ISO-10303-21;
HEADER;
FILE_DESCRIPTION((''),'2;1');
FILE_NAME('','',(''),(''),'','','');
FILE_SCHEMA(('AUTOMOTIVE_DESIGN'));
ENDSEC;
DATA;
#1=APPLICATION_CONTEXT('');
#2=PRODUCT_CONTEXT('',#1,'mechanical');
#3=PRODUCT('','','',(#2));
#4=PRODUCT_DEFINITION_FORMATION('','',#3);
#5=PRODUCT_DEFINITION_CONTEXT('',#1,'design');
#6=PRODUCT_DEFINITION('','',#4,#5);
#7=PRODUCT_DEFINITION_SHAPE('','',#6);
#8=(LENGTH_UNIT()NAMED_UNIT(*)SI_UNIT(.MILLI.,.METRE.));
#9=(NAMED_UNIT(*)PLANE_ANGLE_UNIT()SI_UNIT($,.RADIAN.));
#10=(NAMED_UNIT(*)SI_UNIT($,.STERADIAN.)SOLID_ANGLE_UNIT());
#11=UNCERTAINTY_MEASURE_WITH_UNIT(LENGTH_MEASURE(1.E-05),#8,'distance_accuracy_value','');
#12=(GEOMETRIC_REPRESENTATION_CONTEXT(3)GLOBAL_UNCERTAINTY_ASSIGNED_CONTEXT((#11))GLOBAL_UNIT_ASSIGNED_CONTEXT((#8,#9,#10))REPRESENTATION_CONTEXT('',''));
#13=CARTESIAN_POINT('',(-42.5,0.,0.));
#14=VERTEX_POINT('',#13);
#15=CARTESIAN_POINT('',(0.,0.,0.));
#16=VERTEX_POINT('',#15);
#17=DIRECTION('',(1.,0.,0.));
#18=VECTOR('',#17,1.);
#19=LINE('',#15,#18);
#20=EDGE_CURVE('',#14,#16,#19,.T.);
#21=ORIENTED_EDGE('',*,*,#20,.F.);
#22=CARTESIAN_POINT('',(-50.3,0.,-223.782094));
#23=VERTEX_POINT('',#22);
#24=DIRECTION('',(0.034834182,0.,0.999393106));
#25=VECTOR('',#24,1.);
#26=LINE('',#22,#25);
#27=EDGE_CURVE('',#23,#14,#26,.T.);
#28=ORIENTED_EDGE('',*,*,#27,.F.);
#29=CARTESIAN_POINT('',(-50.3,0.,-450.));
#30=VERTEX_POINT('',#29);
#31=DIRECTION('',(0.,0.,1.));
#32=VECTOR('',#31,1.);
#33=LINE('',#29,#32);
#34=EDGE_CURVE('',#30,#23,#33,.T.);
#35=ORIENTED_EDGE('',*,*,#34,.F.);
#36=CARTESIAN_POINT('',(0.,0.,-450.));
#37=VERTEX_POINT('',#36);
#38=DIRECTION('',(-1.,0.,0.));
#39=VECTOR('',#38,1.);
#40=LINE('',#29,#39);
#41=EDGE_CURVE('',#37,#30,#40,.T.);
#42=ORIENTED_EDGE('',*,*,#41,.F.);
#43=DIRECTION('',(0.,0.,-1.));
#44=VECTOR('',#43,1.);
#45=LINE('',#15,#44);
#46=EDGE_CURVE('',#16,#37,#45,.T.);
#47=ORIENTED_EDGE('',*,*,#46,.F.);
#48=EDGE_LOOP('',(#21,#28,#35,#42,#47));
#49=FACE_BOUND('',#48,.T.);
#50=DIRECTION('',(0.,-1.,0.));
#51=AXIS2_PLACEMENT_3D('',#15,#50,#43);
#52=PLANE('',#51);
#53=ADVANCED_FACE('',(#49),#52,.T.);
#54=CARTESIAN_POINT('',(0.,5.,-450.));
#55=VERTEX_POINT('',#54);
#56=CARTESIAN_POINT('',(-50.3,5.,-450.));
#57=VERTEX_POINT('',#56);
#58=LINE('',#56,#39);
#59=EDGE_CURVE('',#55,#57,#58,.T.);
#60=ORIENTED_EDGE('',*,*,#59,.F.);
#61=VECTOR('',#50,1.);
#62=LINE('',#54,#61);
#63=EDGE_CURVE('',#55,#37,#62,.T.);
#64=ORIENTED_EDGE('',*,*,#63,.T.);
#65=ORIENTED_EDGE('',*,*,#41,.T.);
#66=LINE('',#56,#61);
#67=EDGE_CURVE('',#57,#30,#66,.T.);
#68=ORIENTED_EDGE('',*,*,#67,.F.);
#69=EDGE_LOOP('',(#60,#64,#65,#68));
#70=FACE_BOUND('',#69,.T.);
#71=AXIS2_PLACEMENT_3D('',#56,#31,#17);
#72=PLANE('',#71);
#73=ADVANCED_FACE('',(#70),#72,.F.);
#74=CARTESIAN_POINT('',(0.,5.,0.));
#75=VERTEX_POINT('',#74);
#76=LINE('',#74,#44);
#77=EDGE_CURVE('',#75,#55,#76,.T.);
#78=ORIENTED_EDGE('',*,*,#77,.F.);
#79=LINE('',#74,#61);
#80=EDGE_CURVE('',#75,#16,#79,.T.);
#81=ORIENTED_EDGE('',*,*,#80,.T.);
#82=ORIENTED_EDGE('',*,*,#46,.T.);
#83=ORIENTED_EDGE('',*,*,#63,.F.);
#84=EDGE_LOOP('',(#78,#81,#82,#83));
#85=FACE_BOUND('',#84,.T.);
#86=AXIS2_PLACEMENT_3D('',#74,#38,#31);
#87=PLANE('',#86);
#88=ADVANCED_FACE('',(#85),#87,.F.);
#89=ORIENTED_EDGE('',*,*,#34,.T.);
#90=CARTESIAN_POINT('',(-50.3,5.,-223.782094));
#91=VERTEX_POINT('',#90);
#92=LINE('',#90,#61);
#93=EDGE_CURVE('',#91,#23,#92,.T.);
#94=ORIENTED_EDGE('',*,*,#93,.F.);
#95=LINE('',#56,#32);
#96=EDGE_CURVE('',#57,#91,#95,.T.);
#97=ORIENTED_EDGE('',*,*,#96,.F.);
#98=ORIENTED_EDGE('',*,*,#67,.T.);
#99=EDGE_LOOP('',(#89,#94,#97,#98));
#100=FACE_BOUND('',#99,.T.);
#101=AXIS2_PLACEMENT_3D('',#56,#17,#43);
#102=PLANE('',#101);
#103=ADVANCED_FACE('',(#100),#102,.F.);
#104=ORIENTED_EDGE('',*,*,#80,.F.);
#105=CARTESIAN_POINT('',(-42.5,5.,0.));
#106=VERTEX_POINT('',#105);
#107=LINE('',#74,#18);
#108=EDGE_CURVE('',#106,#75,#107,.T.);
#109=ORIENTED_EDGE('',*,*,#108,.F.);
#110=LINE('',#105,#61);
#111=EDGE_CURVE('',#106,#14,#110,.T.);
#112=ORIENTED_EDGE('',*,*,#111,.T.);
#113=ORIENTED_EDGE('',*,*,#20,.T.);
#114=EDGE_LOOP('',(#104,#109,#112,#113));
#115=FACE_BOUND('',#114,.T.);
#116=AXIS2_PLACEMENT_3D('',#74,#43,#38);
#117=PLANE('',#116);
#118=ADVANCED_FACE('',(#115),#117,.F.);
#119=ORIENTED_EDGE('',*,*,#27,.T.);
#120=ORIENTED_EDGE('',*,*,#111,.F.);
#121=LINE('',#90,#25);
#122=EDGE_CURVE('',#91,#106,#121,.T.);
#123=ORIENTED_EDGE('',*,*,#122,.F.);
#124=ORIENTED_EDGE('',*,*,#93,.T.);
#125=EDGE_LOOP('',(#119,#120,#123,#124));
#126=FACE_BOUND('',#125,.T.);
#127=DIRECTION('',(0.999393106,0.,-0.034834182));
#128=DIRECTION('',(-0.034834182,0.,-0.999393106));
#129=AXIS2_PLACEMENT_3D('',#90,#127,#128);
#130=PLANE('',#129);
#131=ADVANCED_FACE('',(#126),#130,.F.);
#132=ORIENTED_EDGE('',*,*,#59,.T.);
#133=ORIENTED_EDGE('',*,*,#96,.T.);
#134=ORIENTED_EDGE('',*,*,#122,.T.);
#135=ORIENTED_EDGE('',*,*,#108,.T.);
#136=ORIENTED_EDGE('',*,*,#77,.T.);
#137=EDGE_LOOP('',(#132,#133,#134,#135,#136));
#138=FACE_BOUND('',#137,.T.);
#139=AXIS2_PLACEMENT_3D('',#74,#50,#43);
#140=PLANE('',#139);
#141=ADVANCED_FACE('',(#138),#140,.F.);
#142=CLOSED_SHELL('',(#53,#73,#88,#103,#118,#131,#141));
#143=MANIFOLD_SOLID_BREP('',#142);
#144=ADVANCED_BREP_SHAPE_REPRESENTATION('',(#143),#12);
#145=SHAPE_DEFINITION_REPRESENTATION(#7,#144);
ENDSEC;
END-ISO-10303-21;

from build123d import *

# Parameters (mm, degrees)
BOSS_EXTRUDE1_DEPTH = 5


with BuildPart() as part:
    # Sketch1 → Boss-Extrude1 (new body)
    with BuildSketch(Plane(origin=(0, 0, 0), x_dir=(1, 0, 0), z_dir=(0, 1, 0))):
        Polygon((0, 0), (-42.5, 0), (-50.3, 223.782094102), (-50.3, 450), (0, 450), align=None)
    extrude(amount=BOSS_EXTRUDE1_DEPTH)


solid = part.part
